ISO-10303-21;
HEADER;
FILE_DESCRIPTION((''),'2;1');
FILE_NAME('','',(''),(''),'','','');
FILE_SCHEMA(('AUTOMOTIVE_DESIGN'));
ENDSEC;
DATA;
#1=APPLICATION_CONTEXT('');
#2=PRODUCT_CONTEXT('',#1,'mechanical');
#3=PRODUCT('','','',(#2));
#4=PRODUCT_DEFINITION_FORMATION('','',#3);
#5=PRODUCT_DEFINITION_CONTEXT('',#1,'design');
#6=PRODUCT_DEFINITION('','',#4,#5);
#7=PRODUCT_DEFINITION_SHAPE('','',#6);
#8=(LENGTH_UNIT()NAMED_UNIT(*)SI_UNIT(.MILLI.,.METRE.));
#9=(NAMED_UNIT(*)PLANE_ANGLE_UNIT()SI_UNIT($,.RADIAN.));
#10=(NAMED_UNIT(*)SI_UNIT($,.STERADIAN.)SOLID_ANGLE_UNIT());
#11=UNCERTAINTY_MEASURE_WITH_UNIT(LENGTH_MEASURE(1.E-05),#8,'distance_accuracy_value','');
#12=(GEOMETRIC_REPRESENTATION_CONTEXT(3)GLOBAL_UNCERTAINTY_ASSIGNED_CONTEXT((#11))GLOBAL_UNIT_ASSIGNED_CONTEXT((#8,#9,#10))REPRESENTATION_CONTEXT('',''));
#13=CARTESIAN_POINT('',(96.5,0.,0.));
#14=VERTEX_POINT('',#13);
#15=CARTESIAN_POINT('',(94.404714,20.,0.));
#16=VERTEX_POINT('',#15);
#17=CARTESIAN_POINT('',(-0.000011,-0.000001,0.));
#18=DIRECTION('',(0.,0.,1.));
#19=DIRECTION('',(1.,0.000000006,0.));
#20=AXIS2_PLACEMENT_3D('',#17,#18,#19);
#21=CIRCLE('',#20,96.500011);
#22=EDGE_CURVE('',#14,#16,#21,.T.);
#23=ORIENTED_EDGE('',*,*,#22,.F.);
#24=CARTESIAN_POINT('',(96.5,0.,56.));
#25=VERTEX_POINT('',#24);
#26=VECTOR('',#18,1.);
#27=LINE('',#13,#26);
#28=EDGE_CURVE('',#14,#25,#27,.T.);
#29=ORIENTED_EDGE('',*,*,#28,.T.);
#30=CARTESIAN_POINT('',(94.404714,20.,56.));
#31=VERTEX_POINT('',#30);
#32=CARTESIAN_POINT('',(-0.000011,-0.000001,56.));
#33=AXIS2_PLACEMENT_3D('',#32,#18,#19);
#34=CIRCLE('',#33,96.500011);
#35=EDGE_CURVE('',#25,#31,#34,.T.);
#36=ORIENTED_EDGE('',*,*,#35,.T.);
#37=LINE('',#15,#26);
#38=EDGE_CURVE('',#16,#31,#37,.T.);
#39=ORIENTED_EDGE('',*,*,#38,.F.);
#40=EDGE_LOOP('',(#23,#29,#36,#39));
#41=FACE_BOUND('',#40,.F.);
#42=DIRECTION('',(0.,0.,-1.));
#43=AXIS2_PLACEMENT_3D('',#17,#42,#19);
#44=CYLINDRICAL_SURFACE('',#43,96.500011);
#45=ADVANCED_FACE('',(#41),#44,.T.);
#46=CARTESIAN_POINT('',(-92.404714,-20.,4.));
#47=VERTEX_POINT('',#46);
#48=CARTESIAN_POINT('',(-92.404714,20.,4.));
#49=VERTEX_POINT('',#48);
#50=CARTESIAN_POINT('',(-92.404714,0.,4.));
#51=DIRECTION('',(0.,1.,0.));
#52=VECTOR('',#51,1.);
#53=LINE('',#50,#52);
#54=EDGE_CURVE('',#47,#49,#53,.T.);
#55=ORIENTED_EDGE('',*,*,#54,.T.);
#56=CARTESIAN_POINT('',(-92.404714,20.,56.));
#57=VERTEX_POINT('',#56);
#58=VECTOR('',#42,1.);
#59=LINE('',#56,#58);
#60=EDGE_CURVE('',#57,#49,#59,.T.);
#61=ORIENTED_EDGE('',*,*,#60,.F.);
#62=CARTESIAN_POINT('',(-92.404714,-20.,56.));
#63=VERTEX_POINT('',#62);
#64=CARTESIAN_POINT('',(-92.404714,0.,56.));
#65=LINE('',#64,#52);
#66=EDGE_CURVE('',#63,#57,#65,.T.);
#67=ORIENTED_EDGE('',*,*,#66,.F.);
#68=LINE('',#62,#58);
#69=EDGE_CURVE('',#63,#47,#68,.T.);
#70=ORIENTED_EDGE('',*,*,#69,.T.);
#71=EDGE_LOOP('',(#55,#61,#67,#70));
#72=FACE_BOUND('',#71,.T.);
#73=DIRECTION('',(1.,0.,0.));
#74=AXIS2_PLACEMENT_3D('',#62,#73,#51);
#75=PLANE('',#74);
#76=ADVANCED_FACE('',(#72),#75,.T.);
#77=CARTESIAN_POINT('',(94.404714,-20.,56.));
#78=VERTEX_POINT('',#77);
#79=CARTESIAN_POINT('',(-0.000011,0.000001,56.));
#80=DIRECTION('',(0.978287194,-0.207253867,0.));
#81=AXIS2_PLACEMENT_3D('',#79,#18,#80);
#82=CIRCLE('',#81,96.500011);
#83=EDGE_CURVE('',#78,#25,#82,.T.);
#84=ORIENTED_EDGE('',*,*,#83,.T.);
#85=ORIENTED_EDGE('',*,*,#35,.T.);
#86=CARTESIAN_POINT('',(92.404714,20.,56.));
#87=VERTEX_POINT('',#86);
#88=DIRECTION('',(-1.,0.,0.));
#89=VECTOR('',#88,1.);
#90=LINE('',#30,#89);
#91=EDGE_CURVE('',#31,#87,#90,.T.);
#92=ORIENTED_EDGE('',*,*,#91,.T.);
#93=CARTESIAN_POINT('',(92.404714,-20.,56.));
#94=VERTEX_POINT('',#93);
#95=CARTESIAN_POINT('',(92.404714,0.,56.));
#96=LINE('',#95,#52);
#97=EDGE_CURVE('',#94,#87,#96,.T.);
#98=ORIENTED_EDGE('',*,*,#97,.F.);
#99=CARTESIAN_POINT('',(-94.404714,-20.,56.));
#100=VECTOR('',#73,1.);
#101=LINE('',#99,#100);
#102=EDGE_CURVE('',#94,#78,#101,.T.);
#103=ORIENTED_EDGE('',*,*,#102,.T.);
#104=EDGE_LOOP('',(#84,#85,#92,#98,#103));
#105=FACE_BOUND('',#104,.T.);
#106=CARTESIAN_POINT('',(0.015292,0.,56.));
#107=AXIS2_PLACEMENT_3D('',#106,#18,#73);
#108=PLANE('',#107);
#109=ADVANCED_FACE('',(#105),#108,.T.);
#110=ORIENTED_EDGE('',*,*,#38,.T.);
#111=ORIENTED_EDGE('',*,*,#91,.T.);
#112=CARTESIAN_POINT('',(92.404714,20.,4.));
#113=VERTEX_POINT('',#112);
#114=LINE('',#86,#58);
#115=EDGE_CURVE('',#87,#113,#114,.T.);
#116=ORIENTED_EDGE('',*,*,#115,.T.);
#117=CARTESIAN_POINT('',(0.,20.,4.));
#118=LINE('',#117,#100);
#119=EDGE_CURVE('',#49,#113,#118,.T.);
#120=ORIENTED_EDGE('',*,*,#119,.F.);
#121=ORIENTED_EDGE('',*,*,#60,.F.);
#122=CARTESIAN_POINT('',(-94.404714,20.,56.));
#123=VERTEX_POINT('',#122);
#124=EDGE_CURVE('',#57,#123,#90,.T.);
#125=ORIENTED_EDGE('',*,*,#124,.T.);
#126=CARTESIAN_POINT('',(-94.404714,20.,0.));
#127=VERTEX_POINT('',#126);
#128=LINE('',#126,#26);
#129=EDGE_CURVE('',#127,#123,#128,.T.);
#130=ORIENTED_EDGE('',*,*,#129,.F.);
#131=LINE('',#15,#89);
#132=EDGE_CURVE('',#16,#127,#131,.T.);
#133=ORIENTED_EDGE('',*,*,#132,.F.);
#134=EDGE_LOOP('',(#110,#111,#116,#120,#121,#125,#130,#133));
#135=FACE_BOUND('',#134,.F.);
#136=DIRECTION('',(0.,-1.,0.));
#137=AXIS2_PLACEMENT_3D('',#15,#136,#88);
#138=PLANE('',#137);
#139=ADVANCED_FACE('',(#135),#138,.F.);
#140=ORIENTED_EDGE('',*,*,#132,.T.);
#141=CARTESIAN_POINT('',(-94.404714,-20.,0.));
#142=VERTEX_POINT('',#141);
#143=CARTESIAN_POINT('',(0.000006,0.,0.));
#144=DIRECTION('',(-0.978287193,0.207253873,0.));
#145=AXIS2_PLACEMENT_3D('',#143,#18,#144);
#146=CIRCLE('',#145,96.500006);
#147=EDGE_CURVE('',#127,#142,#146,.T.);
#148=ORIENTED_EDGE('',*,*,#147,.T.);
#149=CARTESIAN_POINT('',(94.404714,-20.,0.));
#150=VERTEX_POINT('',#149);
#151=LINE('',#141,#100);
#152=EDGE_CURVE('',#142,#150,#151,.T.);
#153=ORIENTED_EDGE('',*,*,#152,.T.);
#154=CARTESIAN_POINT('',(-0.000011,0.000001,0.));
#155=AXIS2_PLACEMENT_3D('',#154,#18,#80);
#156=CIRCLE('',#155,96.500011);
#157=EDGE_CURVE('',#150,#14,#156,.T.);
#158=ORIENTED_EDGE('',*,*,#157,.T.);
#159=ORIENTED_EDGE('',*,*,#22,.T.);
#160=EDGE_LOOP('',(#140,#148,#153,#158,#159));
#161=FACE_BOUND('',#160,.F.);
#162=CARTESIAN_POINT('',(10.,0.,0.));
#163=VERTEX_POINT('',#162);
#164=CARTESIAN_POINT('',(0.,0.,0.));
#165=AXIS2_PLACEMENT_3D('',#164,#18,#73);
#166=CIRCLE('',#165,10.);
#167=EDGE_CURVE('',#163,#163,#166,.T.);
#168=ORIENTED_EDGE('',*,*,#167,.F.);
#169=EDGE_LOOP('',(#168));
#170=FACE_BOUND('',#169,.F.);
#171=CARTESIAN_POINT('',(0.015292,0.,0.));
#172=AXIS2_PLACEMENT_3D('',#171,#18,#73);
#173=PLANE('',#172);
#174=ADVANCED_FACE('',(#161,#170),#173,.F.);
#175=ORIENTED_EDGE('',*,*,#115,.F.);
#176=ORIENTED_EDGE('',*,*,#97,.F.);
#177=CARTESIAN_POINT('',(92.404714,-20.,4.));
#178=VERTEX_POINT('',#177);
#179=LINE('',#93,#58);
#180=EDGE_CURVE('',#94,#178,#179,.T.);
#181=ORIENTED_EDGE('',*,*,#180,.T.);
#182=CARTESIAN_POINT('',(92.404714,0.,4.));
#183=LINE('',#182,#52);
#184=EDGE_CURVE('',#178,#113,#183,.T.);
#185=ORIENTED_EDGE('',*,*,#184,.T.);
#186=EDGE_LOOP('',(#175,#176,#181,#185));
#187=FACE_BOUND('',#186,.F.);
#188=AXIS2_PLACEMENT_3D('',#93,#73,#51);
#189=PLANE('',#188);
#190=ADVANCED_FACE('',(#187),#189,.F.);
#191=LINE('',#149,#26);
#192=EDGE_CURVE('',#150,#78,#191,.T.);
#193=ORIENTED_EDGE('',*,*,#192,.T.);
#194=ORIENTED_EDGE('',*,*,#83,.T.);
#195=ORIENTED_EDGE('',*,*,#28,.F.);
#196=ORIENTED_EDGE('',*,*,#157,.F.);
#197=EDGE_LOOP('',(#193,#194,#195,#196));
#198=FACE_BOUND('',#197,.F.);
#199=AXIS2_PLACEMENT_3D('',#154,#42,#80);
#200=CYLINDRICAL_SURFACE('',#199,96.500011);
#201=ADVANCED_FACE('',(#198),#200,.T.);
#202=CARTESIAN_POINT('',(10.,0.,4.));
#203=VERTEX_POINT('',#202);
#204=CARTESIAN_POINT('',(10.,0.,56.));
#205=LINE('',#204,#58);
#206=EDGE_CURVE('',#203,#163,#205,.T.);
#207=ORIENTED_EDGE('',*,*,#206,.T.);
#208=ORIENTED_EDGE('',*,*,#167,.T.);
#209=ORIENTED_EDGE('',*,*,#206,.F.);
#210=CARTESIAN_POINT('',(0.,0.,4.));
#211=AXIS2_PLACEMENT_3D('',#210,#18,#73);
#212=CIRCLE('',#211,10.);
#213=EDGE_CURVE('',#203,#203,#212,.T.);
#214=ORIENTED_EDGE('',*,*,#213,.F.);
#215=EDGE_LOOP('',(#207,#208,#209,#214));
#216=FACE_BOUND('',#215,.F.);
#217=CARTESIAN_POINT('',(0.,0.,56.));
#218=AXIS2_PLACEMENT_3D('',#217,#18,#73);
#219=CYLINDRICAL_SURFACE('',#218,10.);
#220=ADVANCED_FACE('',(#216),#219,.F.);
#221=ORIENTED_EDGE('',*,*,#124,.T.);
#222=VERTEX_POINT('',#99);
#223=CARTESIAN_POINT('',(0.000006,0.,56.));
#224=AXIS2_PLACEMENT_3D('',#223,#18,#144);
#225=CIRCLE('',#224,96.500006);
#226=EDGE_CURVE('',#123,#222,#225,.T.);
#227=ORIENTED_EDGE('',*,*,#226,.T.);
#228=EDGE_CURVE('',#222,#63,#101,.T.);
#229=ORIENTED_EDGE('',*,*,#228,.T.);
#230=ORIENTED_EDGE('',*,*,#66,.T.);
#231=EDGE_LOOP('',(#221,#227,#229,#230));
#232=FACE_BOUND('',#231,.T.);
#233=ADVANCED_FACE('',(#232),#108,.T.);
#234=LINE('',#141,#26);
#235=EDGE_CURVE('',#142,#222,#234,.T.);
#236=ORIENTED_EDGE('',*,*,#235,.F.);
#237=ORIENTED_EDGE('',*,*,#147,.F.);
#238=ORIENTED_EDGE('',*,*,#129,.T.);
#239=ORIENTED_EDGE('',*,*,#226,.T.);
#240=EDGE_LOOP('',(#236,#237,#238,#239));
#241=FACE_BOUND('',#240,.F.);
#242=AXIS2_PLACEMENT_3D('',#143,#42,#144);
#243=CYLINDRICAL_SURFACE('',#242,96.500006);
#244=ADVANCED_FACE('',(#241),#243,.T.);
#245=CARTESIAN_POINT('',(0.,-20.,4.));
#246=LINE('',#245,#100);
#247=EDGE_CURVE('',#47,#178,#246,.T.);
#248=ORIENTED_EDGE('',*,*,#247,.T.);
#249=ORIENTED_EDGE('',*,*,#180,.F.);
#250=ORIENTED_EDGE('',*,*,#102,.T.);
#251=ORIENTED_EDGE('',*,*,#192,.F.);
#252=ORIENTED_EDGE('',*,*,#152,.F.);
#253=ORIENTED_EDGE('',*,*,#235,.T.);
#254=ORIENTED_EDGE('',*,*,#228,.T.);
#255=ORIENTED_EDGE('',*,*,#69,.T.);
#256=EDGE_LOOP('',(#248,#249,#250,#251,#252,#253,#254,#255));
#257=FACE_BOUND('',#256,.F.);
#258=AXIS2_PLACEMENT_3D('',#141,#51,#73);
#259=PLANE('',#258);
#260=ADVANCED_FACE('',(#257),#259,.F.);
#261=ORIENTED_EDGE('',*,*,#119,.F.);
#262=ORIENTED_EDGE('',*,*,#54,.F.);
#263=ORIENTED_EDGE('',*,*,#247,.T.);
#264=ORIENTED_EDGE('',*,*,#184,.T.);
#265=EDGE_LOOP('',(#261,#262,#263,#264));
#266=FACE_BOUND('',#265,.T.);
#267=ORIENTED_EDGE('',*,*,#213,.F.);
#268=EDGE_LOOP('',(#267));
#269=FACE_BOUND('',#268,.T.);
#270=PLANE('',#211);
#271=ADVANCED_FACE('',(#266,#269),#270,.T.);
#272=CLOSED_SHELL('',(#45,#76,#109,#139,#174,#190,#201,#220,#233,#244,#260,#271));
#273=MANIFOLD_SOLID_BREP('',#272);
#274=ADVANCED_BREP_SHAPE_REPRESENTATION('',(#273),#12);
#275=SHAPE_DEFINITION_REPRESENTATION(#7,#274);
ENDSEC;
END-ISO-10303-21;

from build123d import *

# Parameters (mm, degrees)
F1_DEPTH = 56
F2_W     = 184.809428
F2_H     = 40
F2_R     = 10
F3_DEPTH = 52
F4_DEPTH = 60


with BuildPart() as f1:
    # F0 (on Top) → F1 (new body)
    with BuildSketch(Plane.XY):
        with BuildLine():
            ThreePointArc((94.404714, -20), (95.974749, -10.054728), (96.5, 0))
            ThreePointArc((96.5, 0), (95.974749, 10.054728), (94.404714, 20))
            Line((94.404714, 20), (0, 20))
            Line((0, 20), (-94.404714, 20))
            ThreePointArc((-94.404714, 20), (-96.5, 0), (-94.404714, -20))
            Line((-94.404714, -20), (0, -20))
            Line((0, -20), (94.404714, -20))
        make_face()
    extrude(amount=F1_DEPTH)

    # F2 (on face) → F3 (cut)
    with BuildSketch(Plane.XY.offset(56)):
        Rectangle(F2_W, F2_H)
        Circle(F2_R, mode=Mode.SUBTRACT)
    extrude(amount=-F3_DEPTH, mode=Mode.SUBTRACT)

    # F2 (on face) → F4 (cut)
    with BuildSketch(Plane.XY.offset(56)):
        Circle(F2_R)
    extrude(amount=-F4_DEPTH, mode=Mode.SUBTRACT)


solid = f1.part
